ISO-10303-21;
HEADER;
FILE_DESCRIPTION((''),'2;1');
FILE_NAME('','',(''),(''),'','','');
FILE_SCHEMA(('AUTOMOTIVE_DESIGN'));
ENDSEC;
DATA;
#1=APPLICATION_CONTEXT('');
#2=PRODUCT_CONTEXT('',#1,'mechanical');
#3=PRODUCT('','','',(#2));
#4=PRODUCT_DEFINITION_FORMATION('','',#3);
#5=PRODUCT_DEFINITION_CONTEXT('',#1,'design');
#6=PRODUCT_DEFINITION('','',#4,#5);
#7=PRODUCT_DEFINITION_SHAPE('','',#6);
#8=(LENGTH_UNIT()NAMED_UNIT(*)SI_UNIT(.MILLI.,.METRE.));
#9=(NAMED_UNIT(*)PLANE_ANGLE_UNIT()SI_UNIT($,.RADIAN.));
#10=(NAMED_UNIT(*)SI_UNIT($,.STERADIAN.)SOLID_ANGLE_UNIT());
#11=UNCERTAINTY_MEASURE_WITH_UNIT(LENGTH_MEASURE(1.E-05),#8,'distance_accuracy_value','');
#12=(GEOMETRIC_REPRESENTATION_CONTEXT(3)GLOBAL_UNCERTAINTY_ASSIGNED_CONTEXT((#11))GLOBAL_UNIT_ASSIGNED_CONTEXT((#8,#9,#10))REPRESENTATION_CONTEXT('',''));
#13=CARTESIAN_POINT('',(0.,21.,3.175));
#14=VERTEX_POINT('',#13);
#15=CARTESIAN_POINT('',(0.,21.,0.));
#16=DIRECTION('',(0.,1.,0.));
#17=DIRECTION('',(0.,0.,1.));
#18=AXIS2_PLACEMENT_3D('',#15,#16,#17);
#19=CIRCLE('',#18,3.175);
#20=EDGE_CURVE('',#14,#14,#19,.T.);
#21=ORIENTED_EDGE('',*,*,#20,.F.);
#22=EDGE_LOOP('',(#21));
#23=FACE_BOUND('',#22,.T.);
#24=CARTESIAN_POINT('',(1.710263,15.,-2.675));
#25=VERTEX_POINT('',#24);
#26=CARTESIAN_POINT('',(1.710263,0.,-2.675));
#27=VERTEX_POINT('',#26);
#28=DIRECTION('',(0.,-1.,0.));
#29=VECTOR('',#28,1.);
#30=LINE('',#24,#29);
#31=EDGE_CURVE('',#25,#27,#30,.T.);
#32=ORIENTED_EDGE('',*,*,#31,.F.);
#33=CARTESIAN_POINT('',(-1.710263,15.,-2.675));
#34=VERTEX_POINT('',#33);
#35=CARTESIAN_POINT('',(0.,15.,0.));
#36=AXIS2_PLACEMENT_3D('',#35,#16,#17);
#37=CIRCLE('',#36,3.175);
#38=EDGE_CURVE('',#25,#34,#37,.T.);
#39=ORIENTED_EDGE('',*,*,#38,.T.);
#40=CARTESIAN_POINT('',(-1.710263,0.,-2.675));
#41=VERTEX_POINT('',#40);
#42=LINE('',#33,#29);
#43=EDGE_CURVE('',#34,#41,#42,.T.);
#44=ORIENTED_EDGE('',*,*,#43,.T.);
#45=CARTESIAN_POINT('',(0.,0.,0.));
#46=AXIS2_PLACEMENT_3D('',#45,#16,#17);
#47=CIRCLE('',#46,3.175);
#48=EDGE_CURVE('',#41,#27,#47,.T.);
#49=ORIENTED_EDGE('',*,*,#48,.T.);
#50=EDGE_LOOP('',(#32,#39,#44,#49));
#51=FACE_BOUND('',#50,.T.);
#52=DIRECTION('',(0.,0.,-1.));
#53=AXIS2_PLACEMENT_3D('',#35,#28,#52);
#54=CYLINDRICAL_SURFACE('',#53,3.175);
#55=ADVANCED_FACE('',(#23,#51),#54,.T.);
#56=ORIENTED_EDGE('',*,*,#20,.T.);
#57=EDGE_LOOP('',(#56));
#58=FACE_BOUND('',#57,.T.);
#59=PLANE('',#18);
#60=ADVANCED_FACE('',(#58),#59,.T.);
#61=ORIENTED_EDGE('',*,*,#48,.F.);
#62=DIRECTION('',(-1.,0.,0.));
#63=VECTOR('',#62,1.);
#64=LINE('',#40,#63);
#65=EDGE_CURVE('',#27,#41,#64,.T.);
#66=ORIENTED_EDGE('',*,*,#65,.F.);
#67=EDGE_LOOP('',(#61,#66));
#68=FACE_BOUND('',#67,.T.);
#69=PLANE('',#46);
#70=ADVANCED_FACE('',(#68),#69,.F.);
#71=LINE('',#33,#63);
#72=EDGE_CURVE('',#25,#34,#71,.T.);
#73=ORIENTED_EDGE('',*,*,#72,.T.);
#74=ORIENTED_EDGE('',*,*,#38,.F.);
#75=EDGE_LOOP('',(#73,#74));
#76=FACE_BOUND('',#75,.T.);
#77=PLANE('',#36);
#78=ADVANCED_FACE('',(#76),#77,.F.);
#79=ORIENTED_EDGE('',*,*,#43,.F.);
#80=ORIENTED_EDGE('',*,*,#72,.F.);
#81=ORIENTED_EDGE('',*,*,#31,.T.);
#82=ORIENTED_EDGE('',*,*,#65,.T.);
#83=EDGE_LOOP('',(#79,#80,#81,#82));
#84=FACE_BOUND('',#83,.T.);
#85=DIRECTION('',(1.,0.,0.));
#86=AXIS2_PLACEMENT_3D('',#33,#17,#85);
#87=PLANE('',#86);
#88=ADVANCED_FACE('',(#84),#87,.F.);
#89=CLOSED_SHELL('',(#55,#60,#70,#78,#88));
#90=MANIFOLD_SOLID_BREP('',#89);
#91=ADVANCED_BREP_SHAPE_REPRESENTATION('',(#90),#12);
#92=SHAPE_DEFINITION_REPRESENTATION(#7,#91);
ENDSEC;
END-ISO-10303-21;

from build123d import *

# Parameters (mm, degrees)
BOSS_EXTRUDE1_DEPTH = 15
SKETCH2_R           = 3.175
BOSS_EXTRUDE2_DEPTH = 6


with BuildPart() as part:
    # Sketch1 → Boss-Extrude1 (new body)
    with BuildSketch(Plane(origin=(0, 0, 0), x_dir=(1, 0, 0), z_dir=(0, 1, 0))):
        with BuildLine():
            Line((-1.710263138, 2.675), (1.710263138, 2.675))
            ThreePointArc((1.710263138, 2.675), (0, -3.175), (-1.710263138, 2.675))
        make_face()
    extrude(amount=BOSS_EXTRUDE1_DEPTH)

    # Sketch2 → Boss-Extrude2 (add)
    with BuildSketch(Plane(origin=(0, 15, 0), x_dir=(1, 0, 0), z_dir=(0, 1, 0))):
        with Locations(Location((0, 0, 0), (0, 0, 57.40715647))):
            Circle(SKETCH2_R)
    extrude(amount=BOSS_EXTRUDE2_DEPTH)


solid = part.part
